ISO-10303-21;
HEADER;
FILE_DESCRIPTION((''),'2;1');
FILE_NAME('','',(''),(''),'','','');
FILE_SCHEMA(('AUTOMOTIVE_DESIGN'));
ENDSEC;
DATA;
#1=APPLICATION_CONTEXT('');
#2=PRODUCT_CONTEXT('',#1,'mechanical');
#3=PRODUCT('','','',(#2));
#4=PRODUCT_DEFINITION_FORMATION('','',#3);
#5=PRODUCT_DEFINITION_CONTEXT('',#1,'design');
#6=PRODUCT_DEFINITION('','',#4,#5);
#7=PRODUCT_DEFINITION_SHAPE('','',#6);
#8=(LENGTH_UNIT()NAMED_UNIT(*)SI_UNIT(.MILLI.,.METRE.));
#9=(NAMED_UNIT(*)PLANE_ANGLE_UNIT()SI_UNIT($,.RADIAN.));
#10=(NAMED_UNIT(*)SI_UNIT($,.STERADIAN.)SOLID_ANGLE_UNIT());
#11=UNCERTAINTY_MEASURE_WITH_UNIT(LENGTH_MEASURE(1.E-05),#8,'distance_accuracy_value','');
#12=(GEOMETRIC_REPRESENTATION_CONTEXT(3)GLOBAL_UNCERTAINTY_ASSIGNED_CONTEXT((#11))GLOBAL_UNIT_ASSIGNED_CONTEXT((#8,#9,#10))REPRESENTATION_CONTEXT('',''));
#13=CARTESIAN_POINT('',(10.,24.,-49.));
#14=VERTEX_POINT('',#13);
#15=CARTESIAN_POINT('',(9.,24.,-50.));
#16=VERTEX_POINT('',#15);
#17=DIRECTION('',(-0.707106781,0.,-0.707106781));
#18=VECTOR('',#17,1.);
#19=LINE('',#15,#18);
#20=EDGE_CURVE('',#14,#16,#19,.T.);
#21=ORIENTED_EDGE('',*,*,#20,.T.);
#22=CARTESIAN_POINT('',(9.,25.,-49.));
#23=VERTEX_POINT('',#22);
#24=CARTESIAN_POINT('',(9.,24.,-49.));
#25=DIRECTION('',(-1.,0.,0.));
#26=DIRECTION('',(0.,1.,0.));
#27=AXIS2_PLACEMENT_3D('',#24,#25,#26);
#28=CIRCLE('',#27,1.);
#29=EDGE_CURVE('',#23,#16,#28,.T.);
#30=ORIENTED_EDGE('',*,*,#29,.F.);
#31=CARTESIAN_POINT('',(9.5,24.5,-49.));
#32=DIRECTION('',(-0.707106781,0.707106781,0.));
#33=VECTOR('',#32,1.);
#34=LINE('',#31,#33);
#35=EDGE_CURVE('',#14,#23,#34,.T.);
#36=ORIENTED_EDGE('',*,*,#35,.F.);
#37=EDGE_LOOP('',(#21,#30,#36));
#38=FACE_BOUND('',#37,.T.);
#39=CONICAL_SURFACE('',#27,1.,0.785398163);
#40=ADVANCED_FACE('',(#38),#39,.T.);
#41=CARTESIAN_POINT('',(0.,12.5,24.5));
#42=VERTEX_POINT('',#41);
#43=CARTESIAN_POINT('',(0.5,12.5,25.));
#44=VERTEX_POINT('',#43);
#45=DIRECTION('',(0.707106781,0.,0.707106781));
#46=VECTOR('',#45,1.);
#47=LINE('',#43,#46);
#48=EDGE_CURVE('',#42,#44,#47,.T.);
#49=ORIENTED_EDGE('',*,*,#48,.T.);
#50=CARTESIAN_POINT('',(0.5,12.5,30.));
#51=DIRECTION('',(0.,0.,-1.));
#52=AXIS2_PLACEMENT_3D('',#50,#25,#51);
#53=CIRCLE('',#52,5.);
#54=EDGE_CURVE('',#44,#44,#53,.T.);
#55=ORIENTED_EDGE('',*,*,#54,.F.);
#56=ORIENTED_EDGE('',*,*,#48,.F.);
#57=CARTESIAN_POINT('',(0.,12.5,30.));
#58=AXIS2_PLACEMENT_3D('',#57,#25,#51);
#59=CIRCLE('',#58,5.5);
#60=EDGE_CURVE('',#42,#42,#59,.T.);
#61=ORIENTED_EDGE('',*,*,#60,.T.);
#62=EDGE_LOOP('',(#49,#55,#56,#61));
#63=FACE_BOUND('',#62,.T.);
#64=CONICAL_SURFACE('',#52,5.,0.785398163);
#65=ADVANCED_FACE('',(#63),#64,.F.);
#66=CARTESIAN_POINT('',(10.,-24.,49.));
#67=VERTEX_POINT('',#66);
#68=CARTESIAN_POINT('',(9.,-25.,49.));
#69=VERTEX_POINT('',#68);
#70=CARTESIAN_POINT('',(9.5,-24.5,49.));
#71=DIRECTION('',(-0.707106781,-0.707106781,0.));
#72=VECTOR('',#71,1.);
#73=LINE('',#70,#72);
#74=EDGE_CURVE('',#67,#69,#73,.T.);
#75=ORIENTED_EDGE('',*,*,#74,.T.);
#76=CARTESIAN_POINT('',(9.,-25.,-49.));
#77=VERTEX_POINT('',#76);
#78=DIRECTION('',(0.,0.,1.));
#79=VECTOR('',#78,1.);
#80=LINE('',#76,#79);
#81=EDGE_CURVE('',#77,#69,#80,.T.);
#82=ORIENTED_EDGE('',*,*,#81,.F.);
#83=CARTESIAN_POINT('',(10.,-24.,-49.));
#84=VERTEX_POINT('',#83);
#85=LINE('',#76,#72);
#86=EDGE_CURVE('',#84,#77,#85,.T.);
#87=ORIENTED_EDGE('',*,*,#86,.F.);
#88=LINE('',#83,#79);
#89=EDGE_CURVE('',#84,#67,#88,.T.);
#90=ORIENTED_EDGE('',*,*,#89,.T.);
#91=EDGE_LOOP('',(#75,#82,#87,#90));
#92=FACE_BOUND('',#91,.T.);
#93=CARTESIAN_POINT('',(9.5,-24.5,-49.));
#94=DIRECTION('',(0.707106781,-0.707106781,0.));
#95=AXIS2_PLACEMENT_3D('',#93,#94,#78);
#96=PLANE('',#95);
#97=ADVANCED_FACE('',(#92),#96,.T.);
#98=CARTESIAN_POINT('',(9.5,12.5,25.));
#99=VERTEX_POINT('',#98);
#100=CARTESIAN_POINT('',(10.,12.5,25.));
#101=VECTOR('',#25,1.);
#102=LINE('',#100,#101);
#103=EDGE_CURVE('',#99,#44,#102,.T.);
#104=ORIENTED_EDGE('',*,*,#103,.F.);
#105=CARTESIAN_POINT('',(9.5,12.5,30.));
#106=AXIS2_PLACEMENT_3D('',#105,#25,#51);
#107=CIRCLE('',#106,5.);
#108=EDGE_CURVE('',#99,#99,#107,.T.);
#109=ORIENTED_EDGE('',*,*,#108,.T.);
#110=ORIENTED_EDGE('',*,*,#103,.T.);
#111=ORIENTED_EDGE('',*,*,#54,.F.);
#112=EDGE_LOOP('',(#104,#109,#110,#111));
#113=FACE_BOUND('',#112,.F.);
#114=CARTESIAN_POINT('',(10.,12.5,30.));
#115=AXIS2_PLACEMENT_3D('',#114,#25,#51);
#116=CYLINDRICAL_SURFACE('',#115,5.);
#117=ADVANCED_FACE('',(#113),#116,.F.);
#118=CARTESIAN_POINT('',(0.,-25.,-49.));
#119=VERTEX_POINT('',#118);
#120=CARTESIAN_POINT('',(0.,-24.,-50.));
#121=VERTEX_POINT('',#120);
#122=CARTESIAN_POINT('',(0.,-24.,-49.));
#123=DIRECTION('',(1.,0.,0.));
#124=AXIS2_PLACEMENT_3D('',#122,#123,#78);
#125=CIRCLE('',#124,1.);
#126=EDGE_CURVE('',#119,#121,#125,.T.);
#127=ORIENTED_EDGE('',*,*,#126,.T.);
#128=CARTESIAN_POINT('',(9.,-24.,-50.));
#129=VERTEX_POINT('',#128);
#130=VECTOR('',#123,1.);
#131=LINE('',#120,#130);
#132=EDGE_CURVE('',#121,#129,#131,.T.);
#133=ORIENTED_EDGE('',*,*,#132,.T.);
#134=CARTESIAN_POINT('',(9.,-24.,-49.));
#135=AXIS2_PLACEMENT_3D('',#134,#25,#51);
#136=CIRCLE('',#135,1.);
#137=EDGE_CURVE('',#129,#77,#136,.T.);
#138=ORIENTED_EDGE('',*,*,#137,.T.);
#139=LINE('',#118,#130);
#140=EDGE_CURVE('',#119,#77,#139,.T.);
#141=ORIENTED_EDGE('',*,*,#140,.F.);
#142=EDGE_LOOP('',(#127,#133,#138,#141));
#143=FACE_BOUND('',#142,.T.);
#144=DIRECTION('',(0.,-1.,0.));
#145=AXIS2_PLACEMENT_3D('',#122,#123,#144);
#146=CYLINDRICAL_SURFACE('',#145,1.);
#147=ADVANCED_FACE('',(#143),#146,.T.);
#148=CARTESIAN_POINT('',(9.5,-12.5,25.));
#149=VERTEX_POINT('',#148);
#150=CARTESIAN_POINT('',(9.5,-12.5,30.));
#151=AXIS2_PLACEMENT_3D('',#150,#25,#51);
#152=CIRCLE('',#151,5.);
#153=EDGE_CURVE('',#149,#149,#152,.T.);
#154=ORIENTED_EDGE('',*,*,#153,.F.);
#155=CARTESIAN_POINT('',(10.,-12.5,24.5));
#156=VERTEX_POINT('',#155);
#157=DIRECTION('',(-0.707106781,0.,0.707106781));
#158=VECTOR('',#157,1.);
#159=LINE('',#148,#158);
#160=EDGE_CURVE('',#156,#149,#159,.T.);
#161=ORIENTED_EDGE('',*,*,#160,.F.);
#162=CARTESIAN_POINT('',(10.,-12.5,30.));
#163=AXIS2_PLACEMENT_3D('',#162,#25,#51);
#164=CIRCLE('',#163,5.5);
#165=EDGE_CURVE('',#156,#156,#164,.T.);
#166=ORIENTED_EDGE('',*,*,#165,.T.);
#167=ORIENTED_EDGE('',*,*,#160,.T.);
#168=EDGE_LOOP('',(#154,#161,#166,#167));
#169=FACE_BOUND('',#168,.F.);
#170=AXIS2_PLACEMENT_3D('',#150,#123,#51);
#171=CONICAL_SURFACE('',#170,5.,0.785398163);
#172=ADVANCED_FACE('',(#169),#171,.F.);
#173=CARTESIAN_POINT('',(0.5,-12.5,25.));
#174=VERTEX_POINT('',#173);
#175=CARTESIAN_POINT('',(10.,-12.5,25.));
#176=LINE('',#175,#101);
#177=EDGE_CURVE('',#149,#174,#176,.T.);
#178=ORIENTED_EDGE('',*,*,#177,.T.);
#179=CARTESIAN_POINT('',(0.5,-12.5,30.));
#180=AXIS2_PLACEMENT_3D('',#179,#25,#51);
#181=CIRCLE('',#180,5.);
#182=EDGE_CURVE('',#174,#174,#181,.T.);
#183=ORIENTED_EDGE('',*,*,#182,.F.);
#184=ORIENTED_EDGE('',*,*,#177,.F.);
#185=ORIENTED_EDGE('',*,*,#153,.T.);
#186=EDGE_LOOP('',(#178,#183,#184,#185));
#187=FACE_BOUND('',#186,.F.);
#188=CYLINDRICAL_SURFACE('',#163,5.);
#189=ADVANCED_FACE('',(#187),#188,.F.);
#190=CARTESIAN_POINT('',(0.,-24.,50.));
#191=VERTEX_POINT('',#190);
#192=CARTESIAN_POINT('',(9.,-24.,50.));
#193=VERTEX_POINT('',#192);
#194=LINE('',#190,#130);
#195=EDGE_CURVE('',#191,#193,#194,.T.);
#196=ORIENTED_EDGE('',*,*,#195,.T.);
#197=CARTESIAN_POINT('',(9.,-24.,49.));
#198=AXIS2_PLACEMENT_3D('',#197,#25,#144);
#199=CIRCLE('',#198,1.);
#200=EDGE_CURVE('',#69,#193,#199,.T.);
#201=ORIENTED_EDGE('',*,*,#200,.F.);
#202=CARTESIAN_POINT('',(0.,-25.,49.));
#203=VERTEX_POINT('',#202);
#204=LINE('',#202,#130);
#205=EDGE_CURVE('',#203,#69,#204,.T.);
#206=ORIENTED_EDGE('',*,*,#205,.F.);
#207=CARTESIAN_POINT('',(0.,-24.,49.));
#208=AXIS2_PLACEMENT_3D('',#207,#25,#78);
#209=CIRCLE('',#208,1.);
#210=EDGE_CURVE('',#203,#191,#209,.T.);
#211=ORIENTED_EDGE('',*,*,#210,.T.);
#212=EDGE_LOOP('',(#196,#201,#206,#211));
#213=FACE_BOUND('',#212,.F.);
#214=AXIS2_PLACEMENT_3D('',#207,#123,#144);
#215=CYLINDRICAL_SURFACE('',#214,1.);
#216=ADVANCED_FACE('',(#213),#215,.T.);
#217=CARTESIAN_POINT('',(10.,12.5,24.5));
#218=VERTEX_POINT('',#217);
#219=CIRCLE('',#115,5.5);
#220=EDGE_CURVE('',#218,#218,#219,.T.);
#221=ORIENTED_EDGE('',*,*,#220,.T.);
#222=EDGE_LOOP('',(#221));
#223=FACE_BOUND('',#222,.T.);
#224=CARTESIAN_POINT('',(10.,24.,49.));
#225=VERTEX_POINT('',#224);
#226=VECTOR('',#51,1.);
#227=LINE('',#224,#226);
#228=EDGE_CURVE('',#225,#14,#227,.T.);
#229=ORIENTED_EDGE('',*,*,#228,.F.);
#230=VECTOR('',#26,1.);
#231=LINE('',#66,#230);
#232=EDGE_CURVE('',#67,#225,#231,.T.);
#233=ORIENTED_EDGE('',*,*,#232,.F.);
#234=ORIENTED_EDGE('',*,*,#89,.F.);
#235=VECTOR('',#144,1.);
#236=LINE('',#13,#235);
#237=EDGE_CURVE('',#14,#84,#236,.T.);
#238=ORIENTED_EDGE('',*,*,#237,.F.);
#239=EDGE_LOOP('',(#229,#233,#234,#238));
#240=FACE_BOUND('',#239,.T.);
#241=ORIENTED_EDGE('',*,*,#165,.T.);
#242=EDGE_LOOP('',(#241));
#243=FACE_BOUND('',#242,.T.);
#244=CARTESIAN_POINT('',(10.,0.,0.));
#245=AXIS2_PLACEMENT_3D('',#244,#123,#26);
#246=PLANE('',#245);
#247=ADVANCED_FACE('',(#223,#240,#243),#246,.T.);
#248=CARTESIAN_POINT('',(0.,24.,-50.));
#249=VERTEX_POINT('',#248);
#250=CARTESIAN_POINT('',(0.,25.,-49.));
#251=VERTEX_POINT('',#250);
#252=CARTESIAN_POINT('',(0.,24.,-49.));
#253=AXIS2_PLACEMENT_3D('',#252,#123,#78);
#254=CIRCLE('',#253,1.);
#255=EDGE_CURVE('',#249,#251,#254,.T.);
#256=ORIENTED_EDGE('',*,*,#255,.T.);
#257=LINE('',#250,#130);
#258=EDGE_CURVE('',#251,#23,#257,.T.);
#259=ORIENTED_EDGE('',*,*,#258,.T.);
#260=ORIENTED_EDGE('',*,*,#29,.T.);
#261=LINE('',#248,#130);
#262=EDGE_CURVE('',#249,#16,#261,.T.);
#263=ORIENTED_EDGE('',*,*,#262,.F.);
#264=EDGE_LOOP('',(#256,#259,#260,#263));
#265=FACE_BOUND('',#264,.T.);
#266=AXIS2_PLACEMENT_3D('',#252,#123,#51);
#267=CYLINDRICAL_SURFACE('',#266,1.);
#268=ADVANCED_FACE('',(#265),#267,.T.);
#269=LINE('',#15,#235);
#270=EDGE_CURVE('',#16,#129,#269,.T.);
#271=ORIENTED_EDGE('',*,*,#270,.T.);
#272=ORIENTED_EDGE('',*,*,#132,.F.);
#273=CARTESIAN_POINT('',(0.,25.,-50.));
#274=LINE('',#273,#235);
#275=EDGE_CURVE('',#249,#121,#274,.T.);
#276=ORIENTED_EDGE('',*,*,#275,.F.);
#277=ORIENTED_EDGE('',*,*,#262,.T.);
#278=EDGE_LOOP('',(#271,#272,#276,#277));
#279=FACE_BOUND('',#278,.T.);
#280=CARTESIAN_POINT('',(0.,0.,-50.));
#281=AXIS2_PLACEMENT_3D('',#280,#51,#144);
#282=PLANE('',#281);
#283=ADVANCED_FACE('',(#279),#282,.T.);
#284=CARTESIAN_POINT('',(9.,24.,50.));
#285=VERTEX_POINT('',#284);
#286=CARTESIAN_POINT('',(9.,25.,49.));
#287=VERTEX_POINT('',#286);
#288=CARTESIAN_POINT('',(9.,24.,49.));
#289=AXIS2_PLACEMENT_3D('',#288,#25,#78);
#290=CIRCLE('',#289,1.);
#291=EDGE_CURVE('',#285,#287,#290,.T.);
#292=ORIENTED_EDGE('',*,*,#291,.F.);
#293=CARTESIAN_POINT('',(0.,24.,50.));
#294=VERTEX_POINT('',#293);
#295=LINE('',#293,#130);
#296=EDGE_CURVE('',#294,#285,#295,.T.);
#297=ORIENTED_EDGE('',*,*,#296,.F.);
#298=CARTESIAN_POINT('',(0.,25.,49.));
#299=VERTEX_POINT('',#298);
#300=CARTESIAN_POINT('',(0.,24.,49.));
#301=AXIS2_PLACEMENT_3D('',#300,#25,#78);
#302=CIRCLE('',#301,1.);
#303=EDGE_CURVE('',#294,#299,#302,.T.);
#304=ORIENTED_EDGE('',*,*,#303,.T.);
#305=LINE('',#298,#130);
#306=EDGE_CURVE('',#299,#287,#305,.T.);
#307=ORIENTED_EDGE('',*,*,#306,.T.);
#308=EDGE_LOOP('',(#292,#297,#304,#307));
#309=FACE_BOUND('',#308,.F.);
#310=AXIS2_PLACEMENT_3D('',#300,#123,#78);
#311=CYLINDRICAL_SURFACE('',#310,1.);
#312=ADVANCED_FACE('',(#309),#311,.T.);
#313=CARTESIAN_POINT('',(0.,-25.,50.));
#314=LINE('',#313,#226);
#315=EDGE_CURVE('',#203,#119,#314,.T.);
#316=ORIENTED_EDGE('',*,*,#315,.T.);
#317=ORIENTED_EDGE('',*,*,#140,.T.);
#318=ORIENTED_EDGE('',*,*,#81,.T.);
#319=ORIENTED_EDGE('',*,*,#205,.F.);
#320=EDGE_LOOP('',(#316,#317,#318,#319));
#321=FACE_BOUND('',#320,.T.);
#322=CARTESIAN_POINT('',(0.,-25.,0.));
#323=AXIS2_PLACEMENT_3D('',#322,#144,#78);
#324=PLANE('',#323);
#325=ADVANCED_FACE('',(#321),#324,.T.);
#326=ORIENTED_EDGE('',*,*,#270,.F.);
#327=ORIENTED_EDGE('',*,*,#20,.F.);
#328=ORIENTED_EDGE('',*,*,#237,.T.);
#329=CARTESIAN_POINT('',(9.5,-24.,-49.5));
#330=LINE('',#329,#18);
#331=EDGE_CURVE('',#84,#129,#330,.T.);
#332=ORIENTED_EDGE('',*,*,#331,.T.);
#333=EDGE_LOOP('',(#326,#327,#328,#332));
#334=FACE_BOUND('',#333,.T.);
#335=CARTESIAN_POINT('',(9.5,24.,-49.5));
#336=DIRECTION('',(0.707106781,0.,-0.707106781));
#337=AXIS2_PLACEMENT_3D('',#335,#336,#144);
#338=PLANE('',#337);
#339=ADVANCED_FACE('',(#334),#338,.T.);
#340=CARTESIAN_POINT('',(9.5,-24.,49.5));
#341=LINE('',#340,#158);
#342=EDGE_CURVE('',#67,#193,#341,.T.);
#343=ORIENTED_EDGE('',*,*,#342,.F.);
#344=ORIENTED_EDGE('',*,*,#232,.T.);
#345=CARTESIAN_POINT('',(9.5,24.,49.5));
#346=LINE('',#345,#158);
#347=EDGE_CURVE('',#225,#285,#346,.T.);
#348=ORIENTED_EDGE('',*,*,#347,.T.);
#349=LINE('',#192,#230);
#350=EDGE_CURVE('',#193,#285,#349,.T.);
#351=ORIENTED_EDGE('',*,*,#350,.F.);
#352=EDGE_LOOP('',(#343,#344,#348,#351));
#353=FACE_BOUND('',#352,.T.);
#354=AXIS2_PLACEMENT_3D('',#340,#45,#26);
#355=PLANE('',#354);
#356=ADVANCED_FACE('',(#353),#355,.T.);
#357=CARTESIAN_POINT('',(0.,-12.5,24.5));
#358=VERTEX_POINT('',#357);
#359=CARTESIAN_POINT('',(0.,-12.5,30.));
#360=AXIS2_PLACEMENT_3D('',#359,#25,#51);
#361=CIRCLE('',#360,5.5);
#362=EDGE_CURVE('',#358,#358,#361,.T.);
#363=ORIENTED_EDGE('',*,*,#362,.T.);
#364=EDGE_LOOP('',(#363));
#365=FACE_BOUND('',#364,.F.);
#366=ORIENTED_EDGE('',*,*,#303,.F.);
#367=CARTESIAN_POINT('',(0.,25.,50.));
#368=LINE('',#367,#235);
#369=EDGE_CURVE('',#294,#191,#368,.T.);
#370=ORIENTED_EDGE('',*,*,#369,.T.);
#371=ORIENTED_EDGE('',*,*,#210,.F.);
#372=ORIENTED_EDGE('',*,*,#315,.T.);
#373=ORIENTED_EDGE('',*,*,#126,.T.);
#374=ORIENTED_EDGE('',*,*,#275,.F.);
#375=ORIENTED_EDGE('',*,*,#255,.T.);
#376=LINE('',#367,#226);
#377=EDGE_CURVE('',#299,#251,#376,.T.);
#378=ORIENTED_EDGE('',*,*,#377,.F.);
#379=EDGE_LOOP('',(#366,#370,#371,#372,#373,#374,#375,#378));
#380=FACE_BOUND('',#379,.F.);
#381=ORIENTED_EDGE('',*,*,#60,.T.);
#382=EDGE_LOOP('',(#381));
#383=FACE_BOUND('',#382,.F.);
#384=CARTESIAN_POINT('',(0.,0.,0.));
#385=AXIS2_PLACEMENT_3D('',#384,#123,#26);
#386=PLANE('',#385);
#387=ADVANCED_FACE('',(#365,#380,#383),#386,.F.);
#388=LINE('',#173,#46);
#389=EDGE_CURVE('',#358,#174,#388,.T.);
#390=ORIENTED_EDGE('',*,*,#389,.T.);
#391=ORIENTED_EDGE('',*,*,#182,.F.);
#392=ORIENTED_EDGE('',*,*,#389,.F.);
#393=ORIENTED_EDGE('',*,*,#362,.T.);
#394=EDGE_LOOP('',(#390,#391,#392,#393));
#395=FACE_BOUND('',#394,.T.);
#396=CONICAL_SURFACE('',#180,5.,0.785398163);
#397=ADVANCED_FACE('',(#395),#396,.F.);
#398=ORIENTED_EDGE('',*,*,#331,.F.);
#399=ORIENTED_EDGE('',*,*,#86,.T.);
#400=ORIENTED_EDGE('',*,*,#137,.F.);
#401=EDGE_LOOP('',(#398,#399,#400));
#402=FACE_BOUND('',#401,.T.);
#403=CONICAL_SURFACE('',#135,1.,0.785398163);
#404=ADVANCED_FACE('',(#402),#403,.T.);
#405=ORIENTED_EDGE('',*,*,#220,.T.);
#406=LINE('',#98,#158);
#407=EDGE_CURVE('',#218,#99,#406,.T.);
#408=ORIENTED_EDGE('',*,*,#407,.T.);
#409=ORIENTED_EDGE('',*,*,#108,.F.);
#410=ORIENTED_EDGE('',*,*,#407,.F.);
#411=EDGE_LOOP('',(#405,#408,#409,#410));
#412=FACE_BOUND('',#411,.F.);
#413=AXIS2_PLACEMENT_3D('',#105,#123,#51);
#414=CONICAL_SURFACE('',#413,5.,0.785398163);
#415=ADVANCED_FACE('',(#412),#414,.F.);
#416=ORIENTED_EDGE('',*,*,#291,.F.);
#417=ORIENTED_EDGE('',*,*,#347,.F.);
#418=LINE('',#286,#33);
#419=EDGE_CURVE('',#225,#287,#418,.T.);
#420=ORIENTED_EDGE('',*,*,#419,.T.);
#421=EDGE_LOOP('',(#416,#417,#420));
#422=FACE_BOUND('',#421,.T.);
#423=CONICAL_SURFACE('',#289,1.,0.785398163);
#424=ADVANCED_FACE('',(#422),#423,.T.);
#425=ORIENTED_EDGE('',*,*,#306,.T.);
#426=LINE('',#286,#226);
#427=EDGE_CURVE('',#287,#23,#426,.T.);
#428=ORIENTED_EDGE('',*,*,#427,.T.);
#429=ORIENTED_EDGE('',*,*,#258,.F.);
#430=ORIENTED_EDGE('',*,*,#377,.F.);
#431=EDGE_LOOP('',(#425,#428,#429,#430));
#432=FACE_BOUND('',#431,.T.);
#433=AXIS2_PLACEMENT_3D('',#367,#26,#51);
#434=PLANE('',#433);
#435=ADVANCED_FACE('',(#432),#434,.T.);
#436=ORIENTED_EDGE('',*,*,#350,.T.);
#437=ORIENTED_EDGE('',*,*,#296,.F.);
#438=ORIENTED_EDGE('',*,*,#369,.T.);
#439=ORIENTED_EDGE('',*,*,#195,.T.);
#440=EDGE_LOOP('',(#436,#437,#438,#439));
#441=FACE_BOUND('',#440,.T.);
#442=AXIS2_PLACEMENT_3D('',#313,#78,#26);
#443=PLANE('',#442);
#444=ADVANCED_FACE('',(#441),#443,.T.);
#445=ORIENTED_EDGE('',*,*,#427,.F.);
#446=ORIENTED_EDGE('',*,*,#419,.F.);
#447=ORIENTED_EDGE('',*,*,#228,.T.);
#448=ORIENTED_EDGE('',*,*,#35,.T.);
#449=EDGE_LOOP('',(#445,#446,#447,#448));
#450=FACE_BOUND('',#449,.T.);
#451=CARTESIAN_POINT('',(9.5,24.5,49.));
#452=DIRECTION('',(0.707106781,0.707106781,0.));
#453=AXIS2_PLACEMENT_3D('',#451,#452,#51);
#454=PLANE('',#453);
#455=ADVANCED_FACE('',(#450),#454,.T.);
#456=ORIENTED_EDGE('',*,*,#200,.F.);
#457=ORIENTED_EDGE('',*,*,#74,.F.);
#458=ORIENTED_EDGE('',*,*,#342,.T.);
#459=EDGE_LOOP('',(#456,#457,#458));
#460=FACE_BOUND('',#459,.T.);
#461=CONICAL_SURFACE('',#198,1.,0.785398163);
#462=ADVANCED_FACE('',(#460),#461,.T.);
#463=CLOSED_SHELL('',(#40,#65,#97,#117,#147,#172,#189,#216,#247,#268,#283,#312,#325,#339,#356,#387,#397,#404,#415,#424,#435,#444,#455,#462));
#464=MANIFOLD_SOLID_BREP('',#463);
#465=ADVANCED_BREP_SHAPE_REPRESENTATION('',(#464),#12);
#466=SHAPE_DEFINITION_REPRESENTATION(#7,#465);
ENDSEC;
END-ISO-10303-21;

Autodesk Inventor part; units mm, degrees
ref_plane "YZ Plane" through (0, 0, 0) normal (1, 0, 0) x (0, 1, 0)
ref_plane "XZ Plane" through (0, 0, 0) normal (0, 1, 0) x (-1, 0, 0)
ref_plane "XY Plane" through (0, 0, 0) normal (0, 0, 1) x (1, 0, 0)
sketch "草圖1" plane through (0, 0, 0) normal (1, 0, 0) x (0, 1, 0)
  line L0 (-35, 0) -> (35, 0) projected
  line L1 (0, -70) -> (0, 70) projected
  line L2 (-25, 50) -> (25, 50)
  line L3 (25, 50) -> (25, -50)
  line L4 (25, -50) -> (-25, -50)
  line L5 (-25, -50) -> (-25, 50)
  line L6 (-25, 50) -> (25, -50) construction
  line L7 (25, 50) -> (-25, -50) construction
  point P0 (0, 0)
  dimension "d0" = 50
  dimension "d1" = 100
extrude "擠出1" add sketch "草圖1" along normal blind 10
fillet "圓角1" radius 1 4 edges at (5, 25, 50) (5, -25, 50) (5, -25, -50) (5, 25, -50)
chamfer "倒角1" distance 1 angle 45 8 edges at (10, 0, 50) (10, -24.7071, 49.7071) (10, -25, 0) (10, -24.7071, -49.7071) (10, 0, -50) (10, 24.7071, -49.7071) (10, 25, 0) (10, 24.7071, 49.7071)
sketch "草圖2" plane through (10, 0, 0) normal (1, 0, 0) x (0, 0, -1)
  line L0 (-50, 24) -> (-50, -24) projected
  line L1 (-30, 24) -> (-30, -24)
  line L2 (0, -35) -> (0, 35) projected
  line L3 (70, 0) -> (-70, 0) projected
  line L4 (70, 12.5) -> (-70, 12.5)
  line L5 (70, -12.5) -> (-70, -12.5)
  point P0 (0, 0)
  point P1 (-30, 12.5)
  point P2 (-30, -12.5)
  dimension "d8" = 20
  dimension "d9" = 12.5
  dimension "d10" = 12.5
hole "孔1" at (10, 12.5, 30) at (10, -12.5, 30) direction (-1, 0, 0) diameter 10 end through all
thread "螺紋1" size "M10x1.25" class "6H" standard "ANSI Metric M Profile" full length
thread "螺紋2" size "M10x1.5" class "6H" standard "ANSI Metric M Profile" full length
chamfer "倒角2" distance 0.5 angle 45 4 edges at (10, -12.5, 35) (10, 12.5, 35) (0, -12.5, 35) (0, 12.5, 35)
properties part number "exercise3-4"
